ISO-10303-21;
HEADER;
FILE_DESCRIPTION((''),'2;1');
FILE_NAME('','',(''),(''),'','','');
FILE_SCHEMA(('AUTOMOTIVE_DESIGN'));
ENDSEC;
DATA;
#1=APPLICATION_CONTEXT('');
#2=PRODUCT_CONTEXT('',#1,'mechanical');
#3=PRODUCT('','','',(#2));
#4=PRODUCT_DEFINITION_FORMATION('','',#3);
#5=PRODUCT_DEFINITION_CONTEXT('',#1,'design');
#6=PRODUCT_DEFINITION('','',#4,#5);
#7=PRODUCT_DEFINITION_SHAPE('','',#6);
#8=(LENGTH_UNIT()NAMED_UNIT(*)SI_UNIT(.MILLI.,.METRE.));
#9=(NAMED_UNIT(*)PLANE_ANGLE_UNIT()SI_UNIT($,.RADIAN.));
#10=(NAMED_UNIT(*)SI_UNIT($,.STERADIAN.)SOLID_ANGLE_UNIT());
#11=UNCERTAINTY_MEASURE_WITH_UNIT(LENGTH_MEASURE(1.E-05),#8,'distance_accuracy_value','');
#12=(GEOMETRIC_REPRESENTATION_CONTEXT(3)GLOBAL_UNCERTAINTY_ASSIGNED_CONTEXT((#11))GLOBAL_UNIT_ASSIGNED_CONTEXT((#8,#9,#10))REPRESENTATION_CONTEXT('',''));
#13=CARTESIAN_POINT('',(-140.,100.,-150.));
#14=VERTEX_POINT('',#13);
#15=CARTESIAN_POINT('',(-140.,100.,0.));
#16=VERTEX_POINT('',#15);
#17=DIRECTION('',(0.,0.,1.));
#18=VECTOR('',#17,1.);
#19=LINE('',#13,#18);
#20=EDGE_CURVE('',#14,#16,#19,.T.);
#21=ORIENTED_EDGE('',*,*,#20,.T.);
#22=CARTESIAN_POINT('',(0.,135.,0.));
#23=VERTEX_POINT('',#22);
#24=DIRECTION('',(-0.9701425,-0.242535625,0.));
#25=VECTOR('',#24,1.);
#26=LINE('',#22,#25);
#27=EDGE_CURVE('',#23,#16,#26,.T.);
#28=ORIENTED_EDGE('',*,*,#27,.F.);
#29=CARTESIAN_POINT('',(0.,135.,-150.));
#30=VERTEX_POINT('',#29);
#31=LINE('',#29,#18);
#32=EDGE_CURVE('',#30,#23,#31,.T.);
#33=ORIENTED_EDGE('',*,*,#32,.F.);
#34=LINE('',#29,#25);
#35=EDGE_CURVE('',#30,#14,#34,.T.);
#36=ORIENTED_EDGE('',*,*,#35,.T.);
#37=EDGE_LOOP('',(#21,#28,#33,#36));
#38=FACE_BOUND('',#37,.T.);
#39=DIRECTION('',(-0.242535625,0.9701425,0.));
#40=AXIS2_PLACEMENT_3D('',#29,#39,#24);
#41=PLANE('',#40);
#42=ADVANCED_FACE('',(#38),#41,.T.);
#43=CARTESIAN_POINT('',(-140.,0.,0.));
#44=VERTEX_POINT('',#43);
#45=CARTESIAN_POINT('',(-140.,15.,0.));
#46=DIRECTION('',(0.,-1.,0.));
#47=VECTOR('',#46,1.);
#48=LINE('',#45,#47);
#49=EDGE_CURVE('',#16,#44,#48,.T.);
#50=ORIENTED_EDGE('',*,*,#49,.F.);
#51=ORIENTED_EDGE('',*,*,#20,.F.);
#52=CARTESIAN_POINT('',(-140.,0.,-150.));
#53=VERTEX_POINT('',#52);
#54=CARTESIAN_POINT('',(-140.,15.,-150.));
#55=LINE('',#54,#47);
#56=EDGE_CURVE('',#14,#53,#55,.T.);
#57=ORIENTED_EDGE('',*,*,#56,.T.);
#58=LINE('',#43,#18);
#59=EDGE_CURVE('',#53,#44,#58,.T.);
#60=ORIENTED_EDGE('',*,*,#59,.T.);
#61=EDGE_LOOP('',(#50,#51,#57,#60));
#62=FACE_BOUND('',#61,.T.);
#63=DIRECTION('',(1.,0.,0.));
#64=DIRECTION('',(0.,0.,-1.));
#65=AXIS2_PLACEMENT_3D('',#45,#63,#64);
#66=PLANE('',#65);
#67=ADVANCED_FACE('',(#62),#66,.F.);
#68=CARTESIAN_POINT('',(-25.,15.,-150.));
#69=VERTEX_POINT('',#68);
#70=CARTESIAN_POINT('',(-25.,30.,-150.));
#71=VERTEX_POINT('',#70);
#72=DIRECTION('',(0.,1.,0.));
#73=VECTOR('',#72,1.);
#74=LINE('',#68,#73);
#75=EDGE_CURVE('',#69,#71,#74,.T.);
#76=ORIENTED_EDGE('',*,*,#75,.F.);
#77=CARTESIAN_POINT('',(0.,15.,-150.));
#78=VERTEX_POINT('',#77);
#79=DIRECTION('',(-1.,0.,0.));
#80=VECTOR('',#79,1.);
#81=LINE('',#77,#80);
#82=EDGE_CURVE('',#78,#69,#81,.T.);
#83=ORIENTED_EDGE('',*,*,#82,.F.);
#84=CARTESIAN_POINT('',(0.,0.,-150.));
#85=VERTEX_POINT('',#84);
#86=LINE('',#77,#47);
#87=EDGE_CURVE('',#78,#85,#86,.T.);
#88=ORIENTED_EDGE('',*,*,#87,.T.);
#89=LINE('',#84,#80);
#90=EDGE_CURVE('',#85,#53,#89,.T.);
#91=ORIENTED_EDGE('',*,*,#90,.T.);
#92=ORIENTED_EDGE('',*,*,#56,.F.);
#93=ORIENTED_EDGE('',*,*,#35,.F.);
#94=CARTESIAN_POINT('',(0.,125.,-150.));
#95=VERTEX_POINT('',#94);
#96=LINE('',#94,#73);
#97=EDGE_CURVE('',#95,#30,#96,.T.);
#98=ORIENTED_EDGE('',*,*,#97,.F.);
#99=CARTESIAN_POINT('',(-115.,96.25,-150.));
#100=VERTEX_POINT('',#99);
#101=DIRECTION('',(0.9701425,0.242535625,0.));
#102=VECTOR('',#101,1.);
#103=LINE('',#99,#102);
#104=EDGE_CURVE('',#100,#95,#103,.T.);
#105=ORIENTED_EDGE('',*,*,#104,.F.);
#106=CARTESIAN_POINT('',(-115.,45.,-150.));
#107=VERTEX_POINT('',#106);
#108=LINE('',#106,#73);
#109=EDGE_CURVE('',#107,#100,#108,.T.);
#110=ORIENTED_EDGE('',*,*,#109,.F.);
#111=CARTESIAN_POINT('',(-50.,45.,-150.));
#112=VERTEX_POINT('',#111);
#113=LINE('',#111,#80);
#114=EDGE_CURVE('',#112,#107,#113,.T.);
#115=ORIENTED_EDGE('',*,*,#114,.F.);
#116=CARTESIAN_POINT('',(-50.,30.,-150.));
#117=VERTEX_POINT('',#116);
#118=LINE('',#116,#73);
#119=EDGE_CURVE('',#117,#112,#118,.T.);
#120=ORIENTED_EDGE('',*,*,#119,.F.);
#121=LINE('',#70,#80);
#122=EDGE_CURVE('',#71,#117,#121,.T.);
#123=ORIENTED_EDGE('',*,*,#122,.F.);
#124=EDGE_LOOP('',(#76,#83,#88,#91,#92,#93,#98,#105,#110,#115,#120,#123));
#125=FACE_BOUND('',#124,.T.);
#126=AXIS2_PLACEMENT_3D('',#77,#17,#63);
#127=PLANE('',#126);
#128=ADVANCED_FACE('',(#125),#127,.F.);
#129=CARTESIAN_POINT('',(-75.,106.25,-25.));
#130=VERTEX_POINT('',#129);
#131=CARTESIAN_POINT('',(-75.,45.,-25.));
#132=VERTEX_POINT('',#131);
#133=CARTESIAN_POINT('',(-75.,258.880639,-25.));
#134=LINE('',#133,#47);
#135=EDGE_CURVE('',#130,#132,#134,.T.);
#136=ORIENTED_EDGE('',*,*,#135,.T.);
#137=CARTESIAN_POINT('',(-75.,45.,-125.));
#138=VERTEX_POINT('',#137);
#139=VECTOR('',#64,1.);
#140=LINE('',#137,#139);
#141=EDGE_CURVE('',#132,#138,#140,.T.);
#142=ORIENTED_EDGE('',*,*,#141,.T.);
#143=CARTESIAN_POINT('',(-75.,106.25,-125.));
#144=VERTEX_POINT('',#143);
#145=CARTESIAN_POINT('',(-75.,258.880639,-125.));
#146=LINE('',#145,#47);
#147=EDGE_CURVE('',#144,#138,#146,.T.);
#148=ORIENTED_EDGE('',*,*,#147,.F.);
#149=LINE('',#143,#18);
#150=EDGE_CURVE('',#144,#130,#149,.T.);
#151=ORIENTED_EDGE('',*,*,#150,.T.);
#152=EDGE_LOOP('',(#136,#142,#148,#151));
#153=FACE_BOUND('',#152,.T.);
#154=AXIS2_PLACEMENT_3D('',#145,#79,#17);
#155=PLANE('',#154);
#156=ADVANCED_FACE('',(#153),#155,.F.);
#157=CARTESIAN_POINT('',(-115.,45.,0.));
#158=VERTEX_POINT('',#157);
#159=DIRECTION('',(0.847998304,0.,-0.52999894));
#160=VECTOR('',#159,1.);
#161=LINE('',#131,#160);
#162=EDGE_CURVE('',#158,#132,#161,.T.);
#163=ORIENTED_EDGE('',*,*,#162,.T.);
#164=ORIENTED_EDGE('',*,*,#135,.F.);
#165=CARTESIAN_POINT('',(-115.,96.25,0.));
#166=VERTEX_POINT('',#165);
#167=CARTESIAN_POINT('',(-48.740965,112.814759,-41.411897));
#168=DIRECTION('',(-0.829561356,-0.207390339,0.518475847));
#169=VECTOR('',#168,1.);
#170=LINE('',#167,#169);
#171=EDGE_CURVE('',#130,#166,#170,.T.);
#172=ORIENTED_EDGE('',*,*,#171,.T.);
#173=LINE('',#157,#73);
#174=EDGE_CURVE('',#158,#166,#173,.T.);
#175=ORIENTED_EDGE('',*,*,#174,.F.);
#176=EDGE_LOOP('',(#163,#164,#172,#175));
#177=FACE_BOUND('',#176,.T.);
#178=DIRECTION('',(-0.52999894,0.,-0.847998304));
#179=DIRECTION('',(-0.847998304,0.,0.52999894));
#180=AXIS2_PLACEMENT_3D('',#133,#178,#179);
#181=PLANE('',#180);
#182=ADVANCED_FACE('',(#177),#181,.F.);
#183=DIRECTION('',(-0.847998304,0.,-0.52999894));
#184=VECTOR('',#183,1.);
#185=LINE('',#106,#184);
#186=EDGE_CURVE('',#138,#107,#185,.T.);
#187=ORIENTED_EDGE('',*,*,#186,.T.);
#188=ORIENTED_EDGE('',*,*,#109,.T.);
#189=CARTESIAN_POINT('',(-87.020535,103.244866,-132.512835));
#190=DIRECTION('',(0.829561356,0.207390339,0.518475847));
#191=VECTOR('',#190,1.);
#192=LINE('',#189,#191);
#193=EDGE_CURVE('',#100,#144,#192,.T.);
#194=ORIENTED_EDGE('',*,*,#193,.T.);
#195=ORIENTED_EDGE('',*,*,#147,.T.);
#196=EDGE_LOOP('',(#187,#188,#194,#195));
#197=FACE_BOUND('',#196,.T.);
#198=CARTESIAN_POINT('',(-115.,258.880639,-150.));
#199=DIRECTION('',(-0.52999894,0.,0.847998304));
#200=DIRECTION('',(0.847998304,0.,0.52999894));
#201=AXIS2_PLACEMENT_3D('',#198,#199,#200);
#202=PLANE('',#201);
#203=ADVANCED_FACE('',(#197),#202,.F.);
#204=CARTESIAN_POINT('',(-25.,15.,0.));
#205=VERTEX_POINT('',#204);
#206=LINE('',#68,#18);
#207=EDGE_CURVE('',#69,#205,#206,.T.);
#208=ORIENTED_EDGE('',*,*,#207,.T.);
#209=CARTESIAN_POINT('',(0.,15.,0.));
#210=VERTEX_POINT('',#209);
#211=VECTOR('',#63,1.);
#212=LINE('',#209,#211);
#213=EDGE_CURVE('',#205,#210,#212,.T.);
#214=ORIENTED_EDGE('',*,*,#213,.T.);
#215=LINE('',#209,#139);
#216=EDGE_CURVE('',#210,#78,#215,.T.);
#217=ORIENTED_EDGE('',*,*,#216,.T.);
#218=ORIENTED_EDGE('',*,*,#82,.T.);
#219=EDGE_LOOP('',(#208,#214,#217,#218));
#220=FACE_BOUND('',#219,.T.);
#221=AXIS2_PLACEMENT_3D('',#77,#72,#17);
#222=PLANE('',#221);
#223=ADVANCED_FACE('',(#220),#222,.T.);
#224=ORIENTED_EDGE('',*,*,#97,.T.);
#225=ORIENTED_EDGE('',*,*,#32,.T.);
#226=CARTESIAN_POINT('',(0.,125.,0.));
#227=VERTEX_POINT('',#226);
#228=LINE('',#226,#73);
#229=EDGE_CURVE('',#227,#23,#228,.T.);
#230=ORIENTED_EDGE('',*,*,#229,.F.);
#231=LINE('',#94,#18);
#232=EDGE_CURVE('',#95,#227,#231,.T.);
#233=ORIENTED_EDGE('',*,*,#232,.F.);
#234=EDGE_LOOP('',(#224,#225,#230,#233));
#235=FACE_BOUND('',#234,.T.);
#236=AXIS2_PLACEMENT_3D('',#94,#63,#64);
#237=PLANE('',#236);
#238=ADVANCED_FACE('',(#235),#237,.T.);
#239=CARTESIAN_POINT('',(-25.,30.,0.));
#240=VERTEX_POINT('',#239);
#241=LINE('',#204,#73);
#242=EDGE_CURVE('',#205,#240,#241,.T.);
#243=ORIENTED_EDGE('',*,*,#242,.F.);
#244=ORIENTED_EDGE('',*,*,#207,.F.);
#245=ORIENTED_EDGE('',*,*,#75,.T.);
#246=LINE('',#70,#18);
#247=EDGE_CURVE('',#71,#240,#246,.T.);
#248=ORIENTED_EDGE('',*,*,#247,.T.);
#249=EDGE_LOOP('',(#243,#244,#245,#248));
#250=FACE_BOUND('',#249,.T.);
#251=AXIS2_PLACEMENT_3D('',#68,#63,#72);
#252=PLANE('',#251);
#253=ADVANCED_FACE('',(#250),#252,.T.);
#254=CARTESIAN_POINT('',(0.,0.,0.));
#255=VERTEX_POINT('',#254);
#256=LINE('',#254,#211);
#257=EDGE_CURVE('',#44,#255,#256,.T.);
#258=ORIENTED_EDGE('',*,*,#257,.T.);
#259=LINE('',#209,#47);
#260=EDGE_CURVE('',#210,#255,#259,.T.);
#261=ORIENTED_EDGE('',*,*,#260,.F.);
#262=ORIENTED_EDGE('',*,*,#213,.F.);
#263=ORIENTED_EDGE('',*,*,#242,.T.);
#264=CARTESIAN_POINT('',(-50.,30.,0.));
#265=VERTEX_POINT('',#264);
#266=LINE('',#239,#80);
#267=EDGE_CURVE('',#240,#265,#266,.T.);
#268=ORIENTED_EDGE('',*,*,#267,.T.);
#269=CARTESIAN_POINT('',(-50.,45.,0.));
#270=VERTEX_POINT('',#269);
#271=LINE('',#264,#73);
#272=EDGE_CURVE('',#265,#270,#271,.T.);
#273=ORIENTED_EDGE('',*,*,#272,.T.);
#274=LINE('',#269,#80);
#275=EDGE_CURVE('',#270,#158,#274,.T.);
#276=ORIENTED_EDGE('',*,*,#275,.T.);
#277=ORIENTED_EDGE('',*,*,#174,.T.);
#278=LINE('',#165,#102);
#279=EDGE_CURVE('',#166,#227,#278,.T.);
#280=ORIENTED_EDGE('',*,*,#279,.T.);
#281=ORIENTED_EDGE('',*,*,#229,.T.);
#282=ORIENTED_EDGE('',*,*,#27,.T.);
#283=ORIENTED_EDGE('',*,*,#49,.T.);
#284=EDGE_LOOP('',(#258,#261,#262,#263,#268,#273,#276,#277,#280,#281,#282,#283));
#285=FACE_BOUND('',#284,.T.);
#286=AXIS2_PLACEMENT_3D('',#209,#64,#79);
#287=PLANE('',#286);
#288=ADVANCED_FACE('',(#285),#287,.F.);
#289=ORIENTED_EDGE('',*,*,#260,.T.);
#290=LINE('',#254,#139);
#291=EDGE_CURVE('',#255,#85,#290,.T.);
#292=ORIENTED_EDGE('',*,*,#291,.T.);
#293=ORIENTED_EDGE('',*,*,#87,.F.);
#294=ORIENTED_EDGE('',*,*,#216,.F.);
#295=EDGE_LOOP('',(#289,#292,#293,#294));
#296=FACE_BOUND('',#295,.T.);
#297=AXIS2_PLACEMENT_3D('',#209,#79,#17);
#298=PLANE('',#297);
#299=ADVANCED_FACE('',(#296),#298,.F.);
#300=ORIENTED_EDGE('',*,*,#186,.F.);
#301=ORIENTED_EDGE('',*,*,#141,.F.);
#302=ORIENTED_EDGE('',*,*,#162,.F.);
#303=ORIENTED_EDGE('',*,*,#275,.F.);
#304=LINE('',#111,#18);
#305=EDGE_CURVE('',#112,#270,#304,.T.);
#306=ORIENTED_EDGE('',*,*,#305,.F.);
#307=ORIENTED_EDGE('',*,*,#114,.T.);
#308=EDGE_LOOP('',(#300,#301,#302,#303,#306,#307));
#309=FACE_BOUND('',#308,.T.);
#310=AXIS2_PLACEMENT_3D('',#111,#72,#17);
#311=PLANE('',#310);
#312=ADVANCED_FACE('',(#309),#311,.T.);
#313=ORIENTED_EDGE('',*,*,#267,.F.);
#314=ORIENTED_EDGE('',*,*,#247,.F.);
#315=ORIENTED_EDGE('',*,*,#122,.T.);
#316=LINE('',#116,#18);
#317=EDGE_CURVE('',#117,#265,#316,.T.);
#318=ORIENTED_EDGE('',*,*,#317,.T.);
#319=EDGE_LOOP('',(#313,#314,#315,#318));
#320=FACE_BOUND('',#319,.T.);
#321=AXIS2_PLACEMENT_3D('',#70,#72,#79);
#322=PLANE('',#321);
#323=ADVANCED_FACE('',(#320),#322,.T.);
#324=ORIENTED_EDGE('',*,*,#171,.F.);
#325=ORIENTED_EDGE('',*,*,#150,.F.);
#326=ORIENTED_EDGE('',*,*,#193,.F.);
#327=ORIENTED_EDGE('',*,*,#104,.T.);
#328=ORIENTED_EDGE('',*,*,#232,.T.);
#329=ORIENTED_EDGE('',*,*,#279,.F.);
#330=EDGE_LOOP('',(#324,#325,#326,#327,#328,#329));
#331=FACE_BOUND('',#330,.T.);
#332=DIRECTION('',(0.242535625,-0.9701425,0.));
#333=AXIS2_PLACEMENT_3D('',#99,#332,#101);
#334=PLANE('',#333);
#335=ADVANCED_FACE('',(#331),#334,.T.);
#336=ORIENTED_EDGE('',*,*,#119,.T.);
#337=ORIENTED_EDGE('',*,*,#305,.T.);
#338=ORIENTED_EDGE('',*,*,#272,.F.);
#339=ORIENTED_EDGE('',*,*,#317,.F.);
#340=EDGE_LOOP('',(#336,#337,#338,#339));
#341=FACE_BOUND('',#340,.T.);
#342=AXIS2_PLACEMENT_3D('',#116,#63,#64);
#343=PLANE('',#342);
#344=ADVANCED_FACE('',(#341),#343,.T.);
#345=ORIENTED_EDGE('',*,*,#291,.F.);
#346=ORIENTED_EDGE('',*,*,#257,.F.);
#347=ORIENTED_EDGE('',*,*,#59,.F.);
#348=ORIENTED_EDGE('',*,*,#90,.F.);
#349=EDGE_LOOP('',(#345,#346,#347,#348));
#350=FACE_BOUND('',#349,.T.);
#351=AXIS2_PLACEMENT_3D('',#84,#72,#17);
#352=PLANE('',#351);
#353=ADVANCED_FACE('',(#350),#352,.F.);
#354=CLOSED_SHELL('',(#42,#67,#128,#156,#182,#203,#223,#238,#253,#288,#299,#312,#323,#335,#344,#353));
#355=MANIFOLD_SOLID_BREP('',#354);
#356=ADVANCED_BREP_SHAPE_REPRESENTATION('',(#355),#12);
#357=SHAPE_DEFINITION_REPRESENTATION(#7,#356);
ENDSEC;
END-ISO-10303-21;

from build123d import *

# Parameters (mm, degrees)
SKETCH1_W      = 140
SKETCH1_H      = 150
EXTRUDE1_DEPTH = 15
EXTRUDE2_DEPTH = 150
EXTRUDE3_REACH = 92


with BuildPart() as part:
    # Sketch1 → Extrude1 (new body)
    with BuildSketch(Plane(origin=(0, 0, 0), x_dir=(1, 0, 0), z_dir=(0, 1, 0))):
        with Locations((-70, 75)):
            Rectangle(SKETCH1_W, SKETCH1_H)
    extrude(amount=EXTRUDE1_DEPTH)

    # Sketch2 → Extrude2 (add)
    with BuildSketch(Plane.XY):
        Polygon((-25, 15), (-25, 30), (-50, 30), (-50, 45), (-115, 45), (-115, 96.25), (0, 125), (0, 135), (-140, 100), (-140, 15), align=None)
    extrude(amount=-EXTRUDE2_DEPTH)

    # Extrude3: up to this plane
    extrude3_end = Plane(origin=(-115, 96.25, -150), z_dir=(0.242535625, -0.9701425, 0))
    # Sketch3 → Extrude3 (add, up to the surface)
    with BuildSketch(Plane(origin=(0, 45, 0), x_dir=(1, 0, 0), z_dir=(0, 1, 0)), mode=Mode.PRIVATE) as extrude3_sk1:
        Polygon((-115, 150), (-75, 125), (-75, 25), (-115, 0), align=None)
    extrude3_tool1 = split(extrude(extrude3_sk1.sketch, amount=EXTRUDE3_REACH, mode=Mode.PRIVATE), bisect_by=extrude3_end, keep=Keep.BOTH, mode=Mode.PRIVATE)
    add(extrude3_tool1.solids().sort_by_distance((-96.333333, 45, -75))[0])


solid = part.part
